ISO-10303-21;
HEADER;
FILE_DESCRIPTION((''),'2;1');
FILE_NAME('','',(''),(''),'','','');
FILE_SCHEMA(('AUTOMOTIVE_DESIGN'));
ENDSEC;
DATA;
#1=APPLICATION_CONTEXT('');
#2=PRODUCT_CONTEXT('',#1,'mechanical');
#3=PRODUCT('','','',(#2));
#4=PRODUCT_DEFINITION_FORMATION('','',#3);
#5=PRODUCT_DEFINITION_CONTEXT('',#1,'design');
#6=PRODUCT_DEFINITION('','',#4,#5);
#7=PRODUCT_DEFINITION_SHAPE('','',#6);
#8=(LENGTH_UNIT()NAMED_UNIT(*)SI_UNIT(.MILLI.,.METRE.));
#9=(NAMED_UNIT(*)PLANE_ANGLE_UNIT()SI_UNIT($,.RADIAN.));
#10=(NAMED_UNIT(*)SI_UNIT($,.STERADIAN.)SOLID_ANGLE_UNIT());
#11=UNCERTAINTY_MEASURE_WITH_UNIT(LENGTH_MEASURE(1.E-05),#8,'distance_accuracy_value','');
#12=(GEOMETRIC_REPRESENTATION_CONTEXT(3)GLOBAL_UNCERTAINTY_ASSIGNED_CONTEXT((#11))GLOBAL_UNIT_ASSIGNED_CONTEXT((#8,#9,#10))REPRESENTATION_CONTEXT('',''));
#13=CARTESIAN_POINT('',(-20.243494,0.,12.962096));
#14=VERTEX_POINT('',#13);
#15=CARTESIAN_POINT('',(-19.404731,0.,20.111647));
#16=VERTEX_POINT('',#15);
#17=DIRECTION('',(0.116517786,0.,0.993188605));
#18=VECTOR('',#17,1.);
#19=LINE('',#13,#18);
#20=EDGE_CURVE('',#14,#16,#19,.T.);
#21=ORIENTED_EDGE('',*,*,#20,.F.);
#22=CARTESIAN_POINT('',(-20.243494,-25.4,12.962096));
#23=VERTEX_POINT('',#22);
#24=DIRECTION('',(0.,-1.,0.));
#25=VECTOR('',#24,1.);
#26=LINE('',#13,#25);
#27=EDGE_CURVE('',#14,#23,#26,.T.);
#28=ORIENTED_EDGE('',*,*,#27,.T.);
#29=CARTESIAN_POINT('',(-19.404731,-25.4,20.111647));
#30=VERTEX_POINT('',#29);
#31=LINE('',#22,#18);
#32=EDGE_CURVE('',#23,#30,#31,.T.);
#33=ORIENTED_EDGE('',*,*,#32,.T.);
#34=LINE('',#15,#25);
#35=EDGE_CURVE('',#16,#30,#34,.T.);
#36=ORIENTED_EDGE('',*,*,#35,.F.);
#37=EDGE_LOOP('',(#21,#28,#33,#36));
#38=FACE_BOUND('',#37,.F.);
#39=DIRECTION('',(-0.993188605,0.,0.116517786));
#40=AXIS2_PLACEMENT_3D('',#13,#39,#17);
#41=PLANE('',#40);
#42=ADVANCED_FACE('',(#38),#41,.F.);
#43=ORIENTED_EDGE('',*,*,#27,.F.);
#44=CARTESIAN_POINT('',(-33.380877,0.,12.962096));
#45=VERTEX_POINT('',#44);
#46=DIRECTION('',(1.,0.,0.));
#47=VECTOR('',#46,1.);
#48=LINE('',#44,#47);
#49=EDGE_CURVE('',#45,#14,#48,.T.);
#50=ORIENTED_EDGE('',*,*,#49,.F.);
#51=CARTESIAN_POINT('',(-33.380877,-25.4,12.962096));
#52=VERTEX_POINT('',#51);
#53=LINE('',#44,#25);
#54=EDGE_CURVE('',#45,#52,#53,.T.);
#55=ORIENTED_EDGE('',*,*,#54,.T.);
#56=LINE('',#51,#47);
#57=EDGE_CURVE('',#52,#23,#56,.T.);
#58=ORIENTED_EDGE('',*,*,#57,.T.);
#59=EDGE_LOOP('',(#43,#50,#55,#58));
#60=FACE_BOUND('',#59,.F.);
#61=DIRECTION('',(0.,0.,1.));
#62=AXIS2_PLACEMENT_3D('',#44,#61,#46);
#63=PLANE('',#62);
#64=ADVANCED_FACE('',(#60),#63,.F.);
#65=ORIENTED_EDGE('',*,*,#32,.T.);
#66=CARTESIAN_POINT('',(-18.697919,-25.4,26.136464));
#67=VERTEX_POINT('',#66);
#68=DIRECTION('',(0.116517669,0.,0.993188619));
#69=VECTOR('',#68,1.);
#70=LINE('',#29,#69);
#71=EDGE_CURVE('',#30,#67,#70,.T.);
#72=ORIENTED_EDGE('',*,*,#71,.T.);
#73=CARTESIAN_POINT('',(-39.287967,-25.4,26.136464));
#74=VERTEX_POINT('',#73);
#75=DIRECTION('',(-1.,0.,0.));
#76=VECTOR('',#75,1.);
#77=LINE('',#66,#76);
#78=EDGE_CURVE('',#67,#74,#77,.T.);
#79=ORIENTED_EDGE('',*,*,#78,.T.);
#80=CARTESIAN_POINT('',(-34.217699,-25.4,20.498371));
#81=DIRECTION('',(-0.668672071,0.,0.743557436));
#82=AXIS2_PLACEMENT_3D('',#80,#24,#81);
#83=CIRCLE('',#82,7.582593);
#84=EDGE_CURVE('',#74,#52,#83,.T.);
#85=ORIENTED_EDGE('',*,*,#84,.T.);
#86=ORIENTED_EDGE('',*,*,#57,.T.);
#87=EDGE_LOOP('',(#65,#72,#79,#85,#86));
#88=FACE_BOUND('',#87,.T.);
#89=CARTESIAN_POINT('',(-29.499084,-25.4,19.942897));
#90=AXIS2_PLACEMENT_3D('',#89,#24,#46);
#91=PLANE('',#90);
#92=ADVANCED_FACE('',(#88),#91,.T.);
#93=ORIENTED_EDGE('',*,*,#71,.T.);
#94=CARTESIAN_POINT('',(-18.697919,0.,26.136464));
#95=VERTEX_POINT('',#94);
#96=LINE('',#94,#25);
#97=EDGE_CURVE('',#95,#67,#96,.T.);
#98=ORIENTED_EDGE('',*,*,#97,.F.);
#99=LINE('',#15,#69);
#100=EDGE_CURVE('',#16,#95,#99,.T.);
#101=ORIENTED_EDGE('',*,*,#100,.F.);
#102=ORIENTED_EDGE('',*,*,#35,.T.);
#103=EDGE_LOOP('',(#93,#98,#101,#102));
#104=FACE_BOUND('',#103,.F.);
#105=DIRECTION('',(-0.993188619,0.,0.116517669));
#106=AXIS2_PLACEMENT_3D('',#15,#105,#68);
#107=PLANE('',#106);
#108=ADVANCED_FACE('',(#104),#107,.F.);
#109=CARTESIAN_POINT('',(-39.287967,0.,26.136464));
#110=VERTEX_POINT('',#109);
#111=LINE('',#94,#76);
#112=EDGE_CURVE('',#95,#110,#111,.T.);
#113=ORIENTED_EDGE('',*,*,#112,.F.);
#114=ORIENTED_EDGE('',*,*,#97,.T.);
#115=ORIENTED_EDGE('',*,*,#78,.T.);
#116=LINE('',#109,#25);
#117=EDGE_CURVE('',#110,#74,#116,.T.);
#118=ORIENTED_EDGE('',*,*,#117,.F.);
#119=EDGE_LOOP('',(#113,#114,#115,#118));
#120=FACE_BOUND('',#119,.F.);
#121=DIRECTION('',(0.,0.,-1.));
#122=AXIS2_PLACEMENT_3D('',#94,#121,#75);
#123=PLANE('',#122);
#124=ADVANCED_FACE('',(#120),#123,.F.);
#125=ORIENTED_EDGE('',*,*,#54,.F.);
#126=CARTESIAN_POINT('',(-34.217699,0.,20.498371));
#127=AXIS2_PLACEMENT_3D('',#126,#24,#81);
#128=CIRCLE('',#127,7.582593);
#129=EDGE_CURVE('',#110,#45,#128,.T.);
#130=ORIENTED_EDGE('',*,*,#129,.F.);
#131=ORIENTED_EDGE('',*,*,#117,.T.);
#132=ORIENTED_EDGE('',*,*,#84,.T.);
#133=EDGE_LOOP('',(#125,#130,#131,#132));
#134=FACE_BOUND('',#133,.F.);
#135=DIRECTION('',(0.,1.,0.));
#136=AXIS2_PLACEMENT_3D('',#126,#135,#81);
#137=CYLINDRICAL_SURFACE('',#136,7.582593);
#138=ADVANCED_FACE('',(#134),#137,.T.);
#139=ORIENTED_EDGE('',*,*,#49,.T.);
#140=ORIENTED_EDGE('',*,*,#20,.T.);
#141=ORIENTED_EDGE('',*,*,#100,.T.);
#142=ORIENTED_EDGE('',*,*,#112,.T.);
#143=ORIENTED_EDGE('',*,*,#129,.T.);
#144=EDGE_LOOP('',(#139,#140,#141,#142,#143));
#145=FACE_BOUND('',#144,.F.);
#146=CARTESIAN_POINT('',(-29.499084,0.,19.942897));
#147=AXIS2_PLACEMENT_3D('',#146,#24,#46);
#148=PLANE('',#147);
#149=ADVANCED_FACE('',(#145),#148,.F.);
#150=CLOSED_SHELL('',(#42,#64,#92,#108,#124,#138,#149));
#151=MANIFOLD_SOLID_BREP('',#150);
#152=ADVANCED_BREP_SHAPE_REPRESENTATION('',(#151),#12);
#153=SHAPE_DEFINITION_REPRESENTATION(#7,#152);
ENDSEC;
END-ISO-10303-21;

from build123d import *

# Parameters (mm, degrees)
F1_DEPTH = 25.4


with BuildPart() as f1:
    # F0 (on Front) → F1 (new body)
    with BuildSketch(Plane.XZ):
        with BuildLine():
            Line((-29.147431, 26.136464), (-39.287967, 26.136464))
            ThreePointArc((-39.287967, 26.136464), (-41.136623, 17.396081), (-33.380877, 12.962096))
            Line((-33.380877, 12.962096), (-20.243494, 12.962096))
            Line((-20.243494, 12.962096), (-19.404731, 20.111647))
            Line((-19.404731, 20.111647), (-18.697919, 26.136464))
            Line((-18.697919, 26.136464), (-28.992943, 26.136464))
            Line((-28.992943, 26.136464), (-29.147431, 26.136464))
        make_face()
    extrude(amount=F1_DEPTH)


solid = f1.part
